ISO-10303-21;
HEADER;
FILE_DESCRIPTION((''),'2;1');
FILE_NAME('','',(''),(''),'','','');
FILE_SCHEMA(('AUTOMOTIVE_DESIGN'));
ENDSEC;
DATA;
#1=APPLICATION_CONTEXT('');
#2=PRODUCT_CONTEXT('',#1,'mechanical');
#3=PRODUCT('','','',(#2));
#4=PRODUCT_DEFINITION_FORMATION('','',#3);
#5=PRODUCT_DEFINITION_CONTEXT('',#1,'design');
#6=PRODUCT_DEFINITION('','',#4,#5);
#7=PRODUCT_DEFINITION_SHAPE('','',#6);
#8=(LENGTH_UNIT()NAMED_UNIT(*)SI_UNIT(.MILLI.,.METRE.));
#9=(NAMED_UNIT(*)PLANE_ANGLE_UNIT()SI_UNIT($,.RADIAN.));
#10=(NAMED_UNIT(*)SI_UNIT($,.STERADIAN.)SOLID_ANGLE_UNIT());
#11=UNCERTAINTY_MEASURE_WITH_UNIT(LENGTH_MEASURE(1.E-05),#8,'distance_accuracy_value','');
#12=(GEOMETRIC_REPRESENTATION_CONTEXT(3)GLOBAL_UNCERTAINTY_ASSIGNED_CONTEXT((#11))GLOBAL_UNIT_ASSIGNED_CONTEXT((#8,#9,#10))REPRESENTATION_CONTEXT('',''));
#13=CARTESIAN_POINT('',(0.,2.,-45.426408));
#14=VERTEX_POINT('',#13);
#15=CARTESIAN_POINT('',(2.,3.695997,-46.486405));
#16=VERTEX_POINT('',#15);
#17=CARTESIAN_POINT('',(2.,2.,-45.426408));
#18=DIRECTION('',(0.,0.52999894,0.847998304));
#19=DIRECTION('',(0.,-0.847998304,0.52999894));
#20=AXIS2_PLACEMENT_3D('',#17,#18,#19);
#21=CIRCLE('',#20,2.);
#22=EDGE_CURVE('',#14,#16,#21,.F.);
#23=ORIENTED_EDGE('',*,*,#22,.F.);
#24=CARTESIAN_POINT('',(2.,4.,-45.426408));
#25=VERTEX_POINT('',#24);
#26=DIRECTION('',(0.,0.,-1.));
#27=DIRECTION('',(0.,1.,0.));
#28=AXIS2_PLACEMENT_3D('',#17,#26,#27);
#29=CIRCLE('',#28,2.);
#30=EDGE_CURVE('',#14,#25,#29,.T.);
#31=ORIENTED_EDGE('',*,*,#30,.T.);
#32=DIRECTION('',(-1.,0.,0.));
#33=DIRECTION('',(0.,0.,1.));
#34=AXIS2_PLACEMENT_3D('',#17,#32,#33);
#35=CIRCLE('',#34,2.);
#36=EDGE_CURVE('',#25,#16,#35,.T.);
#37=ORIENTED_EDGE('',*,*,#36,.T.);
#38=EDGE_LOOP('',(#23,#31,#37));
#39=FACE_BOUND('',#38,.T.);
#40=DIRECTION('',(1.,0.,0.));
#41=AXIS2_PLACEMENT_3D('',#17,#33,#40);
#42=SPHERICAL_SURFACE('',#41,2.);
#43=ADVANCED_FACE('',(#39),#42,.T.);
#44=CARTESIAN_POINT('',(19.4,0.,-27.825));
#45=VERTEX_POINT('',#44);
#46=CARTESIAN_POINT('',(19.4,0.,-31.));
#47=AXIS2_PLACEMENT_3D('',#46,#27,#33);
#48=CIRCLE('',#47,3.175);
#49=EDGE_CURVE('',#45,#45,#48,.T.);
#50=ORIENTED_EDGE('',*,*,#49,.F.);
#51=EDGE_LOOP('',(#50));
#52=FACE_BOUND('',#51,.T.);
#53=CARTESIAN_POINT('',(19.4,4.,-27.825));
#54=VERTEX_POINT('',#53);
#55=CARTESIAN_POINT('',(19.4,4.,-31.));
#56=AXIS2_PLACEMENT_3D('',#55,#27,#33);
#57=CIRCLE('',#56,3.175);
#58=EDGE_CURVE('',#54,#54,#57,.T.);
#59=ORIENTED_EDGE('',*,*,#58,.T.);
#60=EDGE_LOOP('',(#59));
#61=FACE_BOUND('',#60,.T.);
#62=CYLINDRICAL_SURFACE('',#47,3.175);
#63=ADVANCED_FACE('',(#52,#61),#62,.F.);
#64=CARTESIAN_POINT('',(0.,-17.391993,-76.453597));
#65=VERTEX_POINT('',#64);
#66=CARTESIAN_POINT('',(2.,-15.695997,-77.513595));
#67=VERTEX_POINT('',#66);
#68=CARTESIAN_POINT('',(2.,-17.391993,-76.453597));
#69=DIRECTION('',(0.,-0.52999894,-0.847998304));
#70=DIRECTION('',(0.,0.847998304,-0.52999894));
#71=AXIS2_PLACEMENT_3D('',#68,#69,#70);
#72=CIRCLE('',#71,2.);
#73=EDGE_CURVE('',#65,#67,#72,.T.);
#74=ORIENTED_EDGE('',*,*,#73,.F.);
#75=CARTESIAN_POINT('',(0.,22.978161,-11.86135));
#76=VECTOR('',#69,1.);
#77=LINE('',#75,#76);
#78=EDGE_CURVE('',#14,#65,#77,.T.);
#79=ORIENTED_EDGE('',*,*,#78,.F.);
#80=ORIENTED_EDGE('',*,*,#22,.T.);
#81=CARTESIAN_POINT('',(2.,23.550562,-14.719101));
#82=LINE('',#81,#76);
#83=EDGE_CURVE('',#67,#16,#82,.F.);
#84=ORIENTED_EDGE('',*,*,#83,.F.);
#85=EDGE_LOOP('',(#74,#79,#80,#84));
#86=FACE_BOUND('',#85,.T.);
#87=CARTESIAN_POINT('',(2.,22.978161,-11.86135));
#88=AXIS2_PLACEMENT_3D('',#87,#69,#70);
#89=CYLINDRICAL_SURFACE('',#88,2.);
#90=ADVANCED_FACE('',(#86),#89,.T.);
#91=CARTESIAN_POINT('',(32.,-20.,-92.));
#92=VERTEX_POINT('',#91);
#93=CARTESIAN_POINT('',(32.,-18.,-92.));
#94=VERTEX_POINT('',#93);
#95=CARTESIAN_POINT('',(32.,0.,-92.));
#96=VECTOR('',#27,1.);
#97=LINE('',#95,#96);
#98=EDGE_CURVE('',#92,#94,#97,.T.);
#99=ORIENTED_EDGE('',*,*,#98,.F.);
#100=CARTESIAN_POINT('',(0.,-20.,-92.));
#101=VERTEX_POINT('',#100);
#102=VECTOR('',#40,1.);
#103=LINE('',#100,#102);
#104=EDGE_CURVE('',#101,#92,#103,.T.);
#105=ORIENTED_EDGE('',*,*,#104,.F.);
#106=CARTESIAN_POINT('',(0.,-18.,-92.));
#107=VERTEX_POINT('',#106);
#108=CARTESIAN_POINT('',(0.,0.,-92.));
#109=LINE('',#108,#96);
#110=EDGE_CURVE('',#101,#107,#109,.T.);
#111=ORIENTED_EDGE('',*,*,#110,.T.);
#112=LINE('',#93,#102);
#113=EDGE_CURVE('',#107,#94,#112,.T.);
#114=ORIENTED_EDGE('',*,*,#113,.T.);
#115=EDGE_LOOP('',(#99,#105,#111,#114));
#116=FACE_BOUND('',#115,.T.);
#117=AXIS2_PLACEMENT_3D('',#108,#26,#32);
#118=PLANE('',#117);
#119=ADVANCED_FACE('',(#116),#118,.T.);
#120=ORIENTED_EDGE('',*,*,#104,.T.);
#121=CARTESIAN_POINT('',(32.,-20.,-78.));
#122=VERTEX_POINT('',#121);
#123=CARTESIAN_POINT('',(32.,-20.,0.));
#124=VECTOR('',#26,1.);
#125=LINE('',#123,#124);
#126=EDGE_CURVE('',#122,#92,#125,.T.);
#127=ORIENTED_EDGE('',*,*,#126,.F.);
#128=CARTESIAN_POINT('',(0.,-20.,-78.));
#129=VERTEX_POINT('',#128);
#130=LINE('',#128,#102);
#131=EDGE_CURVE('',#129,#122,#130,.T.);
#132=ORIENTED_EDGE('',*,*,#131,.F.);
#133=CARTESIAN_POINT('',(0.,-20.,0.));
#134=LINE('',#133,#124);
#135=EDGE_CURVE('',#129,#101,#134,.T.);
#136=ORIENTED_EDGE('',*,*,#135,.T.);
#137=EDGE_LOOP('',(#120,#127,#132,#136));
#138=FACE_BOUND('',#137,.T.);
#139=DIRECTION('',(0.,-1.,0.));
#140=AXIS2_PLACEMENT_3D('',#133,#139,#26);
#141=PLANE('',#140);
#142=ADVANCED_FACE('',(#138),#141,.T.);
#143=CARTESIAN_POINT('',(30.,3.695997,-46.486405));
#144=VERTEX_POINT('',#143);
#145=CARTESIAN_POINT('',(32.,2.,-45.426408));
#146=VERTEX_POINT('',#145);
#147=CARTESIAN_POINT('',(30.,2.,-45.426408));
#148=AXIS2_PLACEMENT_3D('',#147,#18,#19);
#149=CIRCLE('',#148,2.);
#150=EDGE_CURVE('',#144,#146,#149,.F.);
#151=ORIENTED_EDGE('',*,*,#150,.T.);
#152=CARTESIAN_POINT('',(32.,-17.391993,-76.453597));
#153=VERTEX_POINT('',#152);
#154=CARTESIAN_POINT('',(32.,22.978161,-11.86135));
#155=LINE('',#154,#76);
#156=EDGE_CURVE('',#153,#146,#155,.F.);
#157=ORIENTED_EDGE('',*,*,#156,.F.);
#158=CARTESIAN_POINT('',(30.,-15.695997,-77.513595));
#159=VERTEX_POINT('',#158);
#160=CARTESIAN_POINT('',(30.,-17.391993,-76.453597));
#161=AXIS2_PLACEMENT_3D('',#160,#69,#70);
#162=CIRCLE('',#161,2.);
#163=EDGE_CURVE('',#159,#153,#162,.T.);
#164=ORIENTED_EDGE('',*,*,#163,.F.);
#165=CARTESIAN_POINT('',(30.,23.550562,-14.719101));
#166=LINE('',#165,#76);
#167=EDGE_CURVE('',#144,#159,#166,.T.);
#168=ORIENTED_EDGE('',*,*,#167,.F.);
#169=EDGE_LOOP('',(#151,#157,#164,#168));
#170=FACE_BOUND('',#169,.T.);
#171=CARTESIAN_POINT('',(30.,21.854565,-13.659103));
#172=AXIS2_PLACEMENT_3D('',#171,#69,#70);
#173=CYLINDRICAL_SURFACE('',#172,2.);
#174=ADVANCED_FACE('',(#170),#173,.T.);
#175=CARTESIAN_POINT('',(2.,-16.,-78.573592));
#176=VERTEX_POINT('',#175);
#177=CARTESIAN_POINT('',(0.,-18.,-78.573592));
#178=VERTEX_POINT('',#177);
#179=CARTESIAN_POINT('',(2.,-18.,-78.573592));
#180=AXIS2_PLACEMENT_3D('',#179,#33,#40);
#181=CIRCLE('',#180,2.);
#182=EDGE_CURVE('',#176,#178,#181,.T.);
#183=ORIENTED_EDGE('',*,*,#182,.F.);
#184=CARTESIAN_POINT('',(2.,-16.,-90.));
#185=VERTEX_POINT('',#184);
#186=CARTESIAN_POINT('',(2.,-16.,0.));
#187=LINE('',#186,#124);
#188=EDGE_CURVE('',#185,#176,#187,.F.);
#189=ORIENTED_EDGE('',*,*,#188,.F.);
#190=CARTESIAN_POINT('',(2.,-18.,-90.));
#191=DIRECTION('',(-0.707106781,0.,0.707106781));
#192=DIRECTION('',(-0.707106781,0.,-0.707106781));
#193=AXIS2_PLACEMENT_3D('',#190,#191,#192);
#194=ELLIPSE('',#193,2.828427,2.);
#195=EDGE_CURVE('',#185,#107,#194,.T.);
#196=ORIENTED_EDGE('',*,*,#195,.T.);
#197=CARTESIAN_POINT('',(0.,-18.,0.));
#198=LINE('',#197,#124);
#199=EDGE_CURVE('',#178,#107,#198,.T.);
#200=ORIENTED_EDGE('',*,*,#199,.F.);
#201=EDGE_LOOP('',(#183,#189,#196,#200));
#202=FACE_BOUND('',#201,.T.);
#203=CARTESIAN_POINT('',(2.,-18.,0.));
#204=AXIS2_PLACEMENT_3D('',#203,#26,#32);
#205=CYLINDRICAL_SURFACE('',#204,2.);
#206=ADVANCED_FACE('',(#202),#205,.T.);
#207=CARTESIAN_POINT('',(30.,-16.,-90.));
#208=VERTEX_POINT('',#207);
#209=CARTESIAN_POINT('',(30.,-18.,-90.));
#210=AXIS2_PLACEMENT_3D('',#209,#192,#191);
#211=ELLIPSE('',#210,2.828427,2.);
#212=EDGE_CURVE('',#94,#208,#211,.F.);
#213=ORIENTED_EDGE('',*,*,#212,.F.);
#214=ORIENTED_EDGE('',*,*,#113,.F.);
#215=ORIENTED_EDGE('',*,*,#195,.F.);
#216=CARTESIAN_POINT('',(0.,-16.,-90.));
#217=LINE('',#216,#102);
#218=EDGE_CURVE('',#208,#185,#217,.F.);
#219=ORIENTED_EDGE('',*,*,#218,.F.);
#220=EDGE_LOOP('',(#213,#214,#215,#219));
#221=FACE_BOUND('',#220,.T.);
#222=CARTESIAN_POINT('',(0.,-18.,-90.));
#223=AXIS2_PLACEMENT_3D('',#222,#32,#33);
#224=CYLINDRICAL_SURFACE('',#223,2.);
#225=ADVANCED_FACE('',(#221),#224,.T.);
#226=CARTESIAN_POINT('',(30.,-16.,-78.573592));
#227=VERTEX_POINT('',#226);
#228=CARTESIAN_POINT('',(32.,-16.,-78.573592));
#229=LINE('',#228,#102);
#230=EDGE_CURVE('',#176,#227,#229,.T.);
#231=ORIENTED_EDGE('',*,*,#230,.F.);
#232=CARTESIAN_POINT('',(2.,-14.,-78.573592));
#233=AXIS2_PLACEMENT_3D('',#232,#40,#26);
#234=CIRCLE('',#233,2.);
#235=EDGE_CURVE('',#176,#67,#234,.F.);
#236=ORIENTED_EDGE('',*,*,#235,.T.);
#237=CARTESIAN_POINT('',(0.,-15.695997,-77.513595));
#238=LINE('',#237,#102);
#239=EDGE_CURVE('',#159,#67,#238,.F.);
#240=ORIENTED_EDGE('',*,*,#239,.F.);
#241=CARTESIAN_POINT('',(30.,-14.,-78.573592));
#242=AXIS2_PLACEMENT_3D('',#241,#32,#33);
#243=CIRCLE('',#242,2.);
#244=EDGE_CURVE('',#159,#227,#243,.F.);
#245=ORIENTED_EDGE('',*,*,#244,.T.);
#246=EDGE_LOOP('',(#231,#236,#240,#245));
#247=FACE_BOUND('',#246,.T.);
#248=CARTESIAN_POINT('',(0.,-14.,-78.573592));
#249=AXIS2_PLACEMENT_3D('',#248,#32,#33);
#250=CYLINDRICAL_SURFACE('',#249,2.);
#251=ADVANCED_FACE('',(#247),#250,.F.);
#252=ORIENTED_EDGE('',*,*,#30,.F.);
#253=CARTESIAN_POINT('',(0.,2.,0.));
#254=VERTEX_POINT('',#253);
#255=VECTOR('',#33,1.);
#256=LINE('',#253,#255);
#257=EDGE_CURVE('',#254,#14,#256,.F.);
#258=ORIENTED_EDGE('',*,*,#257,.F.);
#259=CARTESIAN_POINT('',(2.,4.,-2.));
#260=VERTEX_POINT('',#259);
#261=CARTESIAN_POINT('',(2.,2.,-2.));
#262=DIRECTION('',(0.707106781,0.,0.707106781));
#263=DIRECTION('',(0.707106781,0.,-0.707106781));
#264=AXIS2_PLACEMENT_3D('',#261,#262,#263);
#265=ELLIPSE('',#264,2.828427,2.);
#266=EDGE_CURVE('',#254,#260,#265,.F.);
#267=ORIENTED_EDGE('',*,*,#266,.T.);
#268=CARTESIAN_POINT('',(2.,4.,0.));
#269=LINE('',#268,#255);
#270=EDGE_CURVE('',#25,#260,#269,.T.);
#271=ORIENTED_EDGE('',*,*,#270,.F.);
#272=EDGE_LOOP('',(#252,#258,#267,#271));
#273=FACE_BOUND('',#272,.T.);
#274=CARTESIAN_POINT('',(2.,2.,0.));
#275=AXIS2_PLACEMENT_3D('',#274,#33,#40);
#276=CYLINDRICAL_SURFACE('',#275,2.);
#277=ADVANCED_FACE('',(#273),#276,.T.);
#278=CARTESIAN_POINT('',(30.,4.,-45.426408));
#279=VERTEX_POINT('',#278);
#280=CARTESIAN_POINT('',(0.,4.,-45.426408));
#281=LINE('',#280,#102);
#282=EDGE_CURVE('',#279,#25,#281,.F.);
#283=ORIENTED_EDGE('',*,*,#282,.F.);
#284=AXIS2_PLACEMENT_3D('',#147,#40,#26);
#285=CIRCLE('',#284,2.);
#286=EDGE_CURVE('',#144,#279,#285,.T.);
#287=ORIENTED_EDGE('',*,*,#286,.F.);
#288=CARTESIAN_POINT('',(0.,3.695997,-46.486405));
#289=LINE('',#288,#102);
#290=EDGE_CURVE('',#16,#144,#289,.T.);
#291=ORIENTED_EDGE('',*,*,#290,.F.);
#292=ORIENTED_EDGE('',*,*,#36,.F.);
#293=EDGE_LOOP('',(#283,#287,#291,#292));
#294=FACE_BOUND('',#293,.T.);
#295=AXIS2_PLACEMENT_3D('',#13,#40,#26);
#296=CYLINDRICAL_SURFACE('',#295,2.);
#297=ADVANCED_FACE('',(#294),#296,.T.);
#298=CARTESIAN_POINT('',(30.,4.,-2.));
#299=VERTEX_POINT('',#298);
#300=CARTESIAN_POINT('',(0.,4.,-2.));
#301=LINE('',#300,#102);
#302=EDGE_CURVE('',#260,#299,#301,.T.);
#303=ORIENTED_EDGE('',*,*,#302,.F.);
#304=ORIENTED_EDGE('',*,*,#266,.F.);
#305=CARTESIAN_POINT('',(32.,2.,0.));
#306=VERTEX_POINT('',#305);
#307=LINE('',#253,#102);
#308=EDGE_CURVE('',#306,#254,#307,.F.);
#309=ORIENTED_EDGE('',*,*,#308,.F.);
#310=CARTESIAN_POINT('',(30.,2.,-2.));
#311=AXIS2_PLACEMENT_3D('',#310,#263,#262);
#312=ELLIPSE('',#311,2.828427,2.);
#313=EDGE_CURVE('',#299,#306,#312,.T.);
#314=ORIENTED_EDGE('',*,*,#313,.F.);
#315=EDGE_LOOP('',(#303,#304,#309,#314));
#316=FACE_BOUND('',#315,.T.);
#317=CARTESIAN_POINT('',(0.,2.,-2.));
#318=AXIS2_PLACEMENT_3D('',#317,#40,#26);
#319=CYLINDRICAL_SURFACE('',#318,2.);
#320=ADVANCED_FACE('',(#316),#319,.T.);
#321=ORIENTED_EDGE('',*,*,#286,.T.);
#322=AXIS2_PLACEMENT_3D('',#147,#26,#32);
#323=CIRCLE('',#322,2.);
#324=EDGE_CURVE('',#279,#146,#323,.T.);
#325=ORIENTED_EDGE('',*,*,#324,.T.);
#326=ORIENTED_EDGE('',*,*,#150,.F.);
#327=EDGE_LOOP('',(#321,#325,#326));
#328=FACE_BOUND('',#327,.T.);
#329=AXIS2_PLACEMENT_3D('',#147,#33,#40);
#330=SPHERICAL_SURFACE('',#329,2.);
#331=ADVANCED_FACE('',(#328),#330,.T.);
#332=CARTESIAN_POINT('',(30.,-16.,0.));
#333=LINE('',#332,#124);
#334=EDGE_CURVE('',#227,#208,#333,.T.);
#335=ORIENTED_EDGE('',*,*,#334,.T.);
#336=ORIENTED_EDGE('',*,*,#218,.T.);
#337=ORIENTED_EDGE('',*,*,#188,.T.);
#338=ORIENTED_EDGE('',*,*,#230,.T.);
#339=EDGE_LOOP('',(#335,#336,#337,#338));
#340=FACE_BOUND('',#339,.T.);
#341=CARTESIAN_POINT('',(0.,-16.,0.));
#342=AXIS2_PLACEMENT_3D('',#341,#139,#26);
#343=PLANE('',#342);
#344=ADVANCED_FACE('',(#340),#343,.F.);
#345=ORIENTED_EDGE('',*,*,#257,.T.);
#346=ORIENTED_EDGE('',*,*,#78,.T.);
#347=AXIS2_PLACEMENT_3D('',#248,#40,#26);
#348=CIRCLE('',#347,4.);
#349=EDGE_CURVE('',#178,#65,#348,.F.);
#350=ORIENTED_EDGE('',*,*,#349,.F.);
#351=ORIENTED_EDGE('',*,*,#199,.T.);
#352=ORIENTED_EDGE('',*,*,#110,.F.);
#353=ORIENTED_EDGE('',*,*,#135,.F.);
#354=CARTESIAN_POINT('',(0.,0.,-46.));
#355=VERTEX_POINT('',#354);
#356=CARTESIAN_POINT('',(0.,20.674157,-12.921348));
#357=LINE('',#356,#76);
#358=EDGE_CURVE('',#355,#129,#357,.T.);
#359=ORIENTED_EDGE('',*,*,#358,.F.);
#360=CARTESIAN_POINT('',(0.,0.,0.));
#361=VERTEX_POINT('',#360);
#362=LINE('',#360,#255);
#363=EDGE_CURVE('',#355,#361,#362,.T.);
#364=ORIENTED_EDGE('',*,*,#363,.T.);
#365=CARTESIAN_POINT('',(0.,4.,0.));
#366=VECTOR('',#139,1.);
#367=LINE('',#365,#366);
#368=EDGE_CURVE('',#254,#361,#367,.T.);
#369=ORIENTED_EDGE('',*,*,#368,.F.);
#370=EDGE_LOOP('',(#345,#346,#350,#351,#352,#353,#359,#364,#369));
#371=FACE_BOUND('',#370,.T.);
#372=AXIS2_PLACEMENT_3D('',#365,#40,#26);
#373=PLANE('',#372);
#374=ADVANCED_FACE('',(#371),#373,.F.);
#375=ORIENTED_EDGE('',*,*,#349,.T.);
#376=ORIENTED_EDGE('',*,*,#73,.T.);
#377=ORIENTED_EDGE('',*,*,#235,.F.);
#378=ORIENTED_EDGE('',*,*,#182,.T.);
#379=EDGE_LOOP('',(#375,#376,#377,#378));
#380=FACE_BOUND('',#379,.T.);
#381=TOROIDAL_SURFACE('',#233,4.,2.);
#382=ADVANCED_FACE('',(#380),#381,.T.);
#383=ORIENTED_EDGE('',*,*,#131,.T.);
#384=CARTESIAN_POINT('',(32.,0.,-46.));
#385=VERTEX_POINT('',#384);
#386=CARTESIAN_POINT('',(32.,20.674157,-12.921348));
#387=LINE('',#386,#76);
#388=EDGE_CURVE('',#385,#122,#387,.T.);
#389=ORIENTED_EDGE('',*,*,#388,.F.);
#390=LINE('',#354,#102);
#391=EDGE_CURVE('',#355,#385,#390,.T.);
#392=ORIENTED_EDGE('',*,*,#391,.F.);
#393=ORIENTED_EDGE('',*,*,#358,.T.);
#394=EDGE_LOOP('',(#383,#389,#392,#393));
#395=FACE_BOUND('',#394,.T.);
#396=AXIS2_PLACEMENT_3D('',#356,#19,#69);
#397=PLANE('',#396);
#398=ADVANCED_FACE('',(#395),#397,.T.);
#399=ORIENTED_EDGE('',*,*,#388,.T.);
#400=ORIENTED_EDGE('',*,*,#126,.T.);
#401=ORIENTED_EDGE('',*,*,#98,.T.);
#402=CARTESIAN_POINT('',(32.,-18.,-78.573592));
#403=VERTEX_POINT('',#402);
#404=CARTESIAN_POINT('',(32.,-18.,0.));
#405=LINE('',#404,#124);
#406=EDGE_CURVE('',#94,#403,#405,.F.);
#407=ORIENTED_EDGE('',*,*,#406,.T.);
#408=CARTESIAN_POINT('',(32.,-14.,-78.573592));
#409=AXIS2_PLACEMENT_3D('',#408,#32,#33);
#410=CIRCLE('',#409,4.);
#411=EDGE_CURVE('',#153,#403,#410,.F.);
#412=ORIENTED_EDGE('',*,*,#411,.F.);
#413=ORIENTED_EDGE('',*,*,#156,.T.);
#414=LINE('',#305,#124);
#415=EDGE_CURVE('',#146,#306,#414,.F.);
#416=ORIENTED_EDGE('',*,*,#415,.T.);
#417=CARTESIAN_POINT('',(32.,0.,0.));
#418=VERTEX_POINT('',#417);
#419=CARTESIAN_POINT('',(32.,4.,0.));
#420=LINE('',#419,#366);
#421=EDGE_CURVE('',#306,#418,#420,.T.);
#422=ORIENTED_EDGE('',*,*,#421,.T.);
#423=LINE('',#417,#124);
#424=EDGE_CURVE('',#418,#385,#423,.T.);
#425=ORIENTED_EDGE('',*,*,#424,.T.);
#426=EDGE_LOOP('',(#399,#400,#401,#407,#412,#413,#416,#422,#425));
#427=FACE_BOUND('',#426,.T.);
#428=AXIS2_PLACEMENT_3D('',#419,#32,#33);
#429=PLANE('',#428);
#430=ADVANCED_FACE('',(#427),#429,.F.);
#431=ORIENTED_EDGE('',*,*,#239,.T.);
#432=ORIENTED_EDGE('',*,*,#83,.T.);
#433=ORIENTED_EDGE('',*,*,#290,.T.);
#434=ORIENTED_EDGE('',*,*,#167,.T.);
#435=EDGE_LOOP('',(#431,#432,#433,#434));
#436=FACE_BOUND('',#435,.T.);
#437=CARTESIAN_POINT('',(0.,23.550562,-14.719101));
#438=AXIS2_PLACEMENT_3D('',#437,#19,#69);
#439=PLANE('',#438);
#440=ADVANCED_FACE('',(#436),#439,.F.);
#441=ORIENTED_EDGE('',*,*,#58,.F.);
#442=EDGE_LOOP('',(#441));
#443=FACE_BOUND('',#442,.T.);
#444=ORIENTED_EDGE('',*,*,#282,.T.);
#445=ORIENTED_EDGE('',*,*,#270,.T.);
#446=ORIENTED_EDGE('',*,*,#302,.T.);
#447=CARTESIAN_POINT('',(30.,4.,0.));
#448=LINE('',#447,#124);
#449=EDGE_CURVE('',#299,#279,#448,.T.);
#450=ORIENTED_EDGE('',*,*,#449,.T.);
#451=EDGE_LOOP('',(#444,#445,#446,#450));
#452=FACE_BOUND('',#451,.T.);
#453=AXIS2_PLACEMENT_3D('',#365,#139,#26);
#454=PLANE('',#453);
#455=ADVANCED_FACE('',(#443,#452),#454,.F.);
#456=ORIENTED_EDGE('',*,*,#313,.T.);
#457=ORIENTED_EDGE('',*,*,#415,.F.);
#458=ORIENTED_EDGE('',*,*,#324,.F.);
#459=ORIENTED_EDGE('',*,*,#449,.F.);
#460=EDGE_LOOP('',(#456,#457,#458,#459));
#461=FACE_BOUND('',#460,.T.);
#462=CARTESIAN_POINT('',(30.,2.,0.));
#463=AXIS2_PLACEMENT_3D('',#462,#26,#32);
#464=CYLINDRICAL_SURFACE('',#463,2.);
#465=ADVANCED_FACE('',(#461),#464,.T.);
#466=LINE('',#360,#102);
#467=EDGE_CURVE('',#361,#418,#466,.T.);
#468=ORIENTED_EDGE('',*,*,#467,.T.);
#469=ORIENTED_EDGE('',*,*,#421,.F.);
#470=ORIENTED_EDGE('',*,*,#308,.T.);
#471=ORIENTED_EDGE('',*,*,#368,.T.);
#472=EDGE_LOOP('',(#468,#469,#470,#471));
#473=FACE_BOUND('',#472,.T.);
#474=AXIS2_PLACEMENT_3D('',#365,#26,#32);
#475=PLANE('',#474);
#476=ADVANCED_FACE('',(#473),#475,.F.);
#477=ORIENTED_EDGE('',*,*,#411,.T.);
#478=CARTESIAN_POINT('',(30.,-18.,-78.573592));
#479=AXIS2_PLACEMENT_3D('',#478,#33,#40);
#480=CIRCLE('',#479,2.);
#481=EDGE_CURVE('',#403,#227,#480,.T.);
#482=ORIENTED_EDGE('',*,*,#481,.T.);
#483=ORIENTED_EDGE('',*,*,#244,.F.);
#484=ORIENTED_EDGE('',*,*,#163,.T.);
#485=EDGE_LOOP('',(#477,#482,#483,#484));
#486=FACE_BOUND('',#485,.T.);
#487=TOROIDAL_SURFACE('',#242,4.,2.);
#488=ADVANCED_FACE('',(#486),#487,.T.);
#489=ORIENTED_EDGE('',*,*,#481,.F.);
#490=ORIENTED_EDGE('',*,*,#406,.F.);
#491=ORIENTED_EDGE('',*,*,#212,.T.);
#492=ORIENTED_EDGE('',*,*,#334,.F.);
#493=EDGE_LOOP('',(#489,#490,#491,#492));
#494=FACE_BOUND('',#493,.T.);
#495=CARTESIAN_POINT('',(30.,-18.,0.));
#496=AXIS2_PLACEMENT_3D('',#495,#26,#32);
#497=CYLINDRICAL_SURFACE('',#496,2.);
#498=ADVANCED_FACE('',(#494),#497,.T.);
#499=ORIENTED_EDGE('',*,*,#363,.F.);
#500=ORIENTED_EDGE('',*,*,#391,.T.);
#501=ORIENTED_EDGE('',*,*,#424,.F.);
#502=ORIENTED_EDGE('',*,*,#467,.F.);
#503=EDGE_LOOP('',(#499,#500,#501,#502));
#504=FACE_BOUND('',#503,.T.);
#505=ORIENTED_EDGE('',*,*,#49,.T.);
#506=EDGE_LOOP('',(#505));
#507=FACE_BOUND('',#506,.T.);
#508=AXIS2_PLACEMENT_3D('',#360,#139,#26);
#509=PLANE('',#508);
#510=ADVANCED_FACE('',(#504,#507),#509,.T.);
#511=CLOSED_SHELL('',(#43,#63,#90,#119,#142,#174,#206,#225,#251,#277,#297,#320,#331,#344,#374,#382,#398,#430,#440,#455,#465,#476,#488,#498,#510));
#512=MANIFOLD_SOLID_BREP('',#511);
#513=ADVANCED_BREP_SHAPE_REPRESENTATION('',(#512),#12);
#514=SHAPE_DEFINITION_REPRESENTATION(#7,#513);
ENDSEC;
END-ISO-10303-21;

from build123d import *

# Parameters (mm, degrees)
SKETCH1_W           = 32
SKETCH1_H           = 92
BOSS_EXTRUDE1_DEPTH = 4
SKETCH2_R           = 3.175
CUT_EXTRUDE1_DEPTH  = 4
BOSS_EXTRUDE2_DEPTH = 32
CUT_EXTRUDE3_DEPTH  = 100.438423157
FILLET1_R           = 2


with BuildPart() as part:
    # Sketch1 → Boss-Extrude1 (new body)
    with BuildSketch(Plane(origin=(0, 0, 0), x_dir=(1, 0, 0), z_dir=(0, 1, 0))):
        with Locations((16, 46)):
            Rectangle(SKETCH1_W, SKETCH1_H)
    extrude(amount=BOSS_EXTRUDE1_DEPTH)

    # Sketch2 → Cut-Extrude1 (cut)
    with BuildSketch(Plane(origin=(0, 4, 0), x_dir=(1, 0, 0), z_dir=(0, 1, 0))):
        with Locations(Location((19.4, 31, 0), (0, 0, 270))):
            Circle(SKETCH2_R)
    extrude(amount=-CUT_EXTRUDE1_DEPTH, mode=Mode.SUBTRACT)

    # Sketch4 → Boss-Extrude2 (add)
    with BuildSketch(Plane(origin=(32, 0, 0), x_dir=(0, 0, -1), z_dir=(1, 0, 0))):
        Polygon((52.4, 0), (46, 0), (78, -20), (92, -20), (92, -16), (78, -16), align=None)
        Polygon((46, 4), (46, 0), (52.4, 0), align=None)
    extrude(amount=-BOSS_EXTRUDE2_DEPTH)

    # Sketch6 → Cut-Extrude3 (cut, through all)
    with BuildSketch(Plane(origin=(32, 0, 0), x_dir=(0, 0, -1), z_dir=(1, 0, 0))):
        Polygon((52.4, 0), (46, 4), (92, 4), (92, 0), align=None)
    extrude(amount=-CUT_EXTRUDE3_DEPTH, mode=Mode.SUBTRACT)

    # Fillet1
    fillet1_edges = [part.edges().sort_by_distance(p)[0] for p in [
        (32, 4, -23),
        (32, -16, -85),
        (16, -16, -78),
        (16, -16, -92),
        (32, -6, -62),
        (0, -6, -62),
        (0, -16, -85),
        (0, 4, -23),
        (16, 4, -46),
        (16, 4, 0),
    ]]
    fillet(fillet1_edges, radius=FILLET1_R)


solid = part.part
